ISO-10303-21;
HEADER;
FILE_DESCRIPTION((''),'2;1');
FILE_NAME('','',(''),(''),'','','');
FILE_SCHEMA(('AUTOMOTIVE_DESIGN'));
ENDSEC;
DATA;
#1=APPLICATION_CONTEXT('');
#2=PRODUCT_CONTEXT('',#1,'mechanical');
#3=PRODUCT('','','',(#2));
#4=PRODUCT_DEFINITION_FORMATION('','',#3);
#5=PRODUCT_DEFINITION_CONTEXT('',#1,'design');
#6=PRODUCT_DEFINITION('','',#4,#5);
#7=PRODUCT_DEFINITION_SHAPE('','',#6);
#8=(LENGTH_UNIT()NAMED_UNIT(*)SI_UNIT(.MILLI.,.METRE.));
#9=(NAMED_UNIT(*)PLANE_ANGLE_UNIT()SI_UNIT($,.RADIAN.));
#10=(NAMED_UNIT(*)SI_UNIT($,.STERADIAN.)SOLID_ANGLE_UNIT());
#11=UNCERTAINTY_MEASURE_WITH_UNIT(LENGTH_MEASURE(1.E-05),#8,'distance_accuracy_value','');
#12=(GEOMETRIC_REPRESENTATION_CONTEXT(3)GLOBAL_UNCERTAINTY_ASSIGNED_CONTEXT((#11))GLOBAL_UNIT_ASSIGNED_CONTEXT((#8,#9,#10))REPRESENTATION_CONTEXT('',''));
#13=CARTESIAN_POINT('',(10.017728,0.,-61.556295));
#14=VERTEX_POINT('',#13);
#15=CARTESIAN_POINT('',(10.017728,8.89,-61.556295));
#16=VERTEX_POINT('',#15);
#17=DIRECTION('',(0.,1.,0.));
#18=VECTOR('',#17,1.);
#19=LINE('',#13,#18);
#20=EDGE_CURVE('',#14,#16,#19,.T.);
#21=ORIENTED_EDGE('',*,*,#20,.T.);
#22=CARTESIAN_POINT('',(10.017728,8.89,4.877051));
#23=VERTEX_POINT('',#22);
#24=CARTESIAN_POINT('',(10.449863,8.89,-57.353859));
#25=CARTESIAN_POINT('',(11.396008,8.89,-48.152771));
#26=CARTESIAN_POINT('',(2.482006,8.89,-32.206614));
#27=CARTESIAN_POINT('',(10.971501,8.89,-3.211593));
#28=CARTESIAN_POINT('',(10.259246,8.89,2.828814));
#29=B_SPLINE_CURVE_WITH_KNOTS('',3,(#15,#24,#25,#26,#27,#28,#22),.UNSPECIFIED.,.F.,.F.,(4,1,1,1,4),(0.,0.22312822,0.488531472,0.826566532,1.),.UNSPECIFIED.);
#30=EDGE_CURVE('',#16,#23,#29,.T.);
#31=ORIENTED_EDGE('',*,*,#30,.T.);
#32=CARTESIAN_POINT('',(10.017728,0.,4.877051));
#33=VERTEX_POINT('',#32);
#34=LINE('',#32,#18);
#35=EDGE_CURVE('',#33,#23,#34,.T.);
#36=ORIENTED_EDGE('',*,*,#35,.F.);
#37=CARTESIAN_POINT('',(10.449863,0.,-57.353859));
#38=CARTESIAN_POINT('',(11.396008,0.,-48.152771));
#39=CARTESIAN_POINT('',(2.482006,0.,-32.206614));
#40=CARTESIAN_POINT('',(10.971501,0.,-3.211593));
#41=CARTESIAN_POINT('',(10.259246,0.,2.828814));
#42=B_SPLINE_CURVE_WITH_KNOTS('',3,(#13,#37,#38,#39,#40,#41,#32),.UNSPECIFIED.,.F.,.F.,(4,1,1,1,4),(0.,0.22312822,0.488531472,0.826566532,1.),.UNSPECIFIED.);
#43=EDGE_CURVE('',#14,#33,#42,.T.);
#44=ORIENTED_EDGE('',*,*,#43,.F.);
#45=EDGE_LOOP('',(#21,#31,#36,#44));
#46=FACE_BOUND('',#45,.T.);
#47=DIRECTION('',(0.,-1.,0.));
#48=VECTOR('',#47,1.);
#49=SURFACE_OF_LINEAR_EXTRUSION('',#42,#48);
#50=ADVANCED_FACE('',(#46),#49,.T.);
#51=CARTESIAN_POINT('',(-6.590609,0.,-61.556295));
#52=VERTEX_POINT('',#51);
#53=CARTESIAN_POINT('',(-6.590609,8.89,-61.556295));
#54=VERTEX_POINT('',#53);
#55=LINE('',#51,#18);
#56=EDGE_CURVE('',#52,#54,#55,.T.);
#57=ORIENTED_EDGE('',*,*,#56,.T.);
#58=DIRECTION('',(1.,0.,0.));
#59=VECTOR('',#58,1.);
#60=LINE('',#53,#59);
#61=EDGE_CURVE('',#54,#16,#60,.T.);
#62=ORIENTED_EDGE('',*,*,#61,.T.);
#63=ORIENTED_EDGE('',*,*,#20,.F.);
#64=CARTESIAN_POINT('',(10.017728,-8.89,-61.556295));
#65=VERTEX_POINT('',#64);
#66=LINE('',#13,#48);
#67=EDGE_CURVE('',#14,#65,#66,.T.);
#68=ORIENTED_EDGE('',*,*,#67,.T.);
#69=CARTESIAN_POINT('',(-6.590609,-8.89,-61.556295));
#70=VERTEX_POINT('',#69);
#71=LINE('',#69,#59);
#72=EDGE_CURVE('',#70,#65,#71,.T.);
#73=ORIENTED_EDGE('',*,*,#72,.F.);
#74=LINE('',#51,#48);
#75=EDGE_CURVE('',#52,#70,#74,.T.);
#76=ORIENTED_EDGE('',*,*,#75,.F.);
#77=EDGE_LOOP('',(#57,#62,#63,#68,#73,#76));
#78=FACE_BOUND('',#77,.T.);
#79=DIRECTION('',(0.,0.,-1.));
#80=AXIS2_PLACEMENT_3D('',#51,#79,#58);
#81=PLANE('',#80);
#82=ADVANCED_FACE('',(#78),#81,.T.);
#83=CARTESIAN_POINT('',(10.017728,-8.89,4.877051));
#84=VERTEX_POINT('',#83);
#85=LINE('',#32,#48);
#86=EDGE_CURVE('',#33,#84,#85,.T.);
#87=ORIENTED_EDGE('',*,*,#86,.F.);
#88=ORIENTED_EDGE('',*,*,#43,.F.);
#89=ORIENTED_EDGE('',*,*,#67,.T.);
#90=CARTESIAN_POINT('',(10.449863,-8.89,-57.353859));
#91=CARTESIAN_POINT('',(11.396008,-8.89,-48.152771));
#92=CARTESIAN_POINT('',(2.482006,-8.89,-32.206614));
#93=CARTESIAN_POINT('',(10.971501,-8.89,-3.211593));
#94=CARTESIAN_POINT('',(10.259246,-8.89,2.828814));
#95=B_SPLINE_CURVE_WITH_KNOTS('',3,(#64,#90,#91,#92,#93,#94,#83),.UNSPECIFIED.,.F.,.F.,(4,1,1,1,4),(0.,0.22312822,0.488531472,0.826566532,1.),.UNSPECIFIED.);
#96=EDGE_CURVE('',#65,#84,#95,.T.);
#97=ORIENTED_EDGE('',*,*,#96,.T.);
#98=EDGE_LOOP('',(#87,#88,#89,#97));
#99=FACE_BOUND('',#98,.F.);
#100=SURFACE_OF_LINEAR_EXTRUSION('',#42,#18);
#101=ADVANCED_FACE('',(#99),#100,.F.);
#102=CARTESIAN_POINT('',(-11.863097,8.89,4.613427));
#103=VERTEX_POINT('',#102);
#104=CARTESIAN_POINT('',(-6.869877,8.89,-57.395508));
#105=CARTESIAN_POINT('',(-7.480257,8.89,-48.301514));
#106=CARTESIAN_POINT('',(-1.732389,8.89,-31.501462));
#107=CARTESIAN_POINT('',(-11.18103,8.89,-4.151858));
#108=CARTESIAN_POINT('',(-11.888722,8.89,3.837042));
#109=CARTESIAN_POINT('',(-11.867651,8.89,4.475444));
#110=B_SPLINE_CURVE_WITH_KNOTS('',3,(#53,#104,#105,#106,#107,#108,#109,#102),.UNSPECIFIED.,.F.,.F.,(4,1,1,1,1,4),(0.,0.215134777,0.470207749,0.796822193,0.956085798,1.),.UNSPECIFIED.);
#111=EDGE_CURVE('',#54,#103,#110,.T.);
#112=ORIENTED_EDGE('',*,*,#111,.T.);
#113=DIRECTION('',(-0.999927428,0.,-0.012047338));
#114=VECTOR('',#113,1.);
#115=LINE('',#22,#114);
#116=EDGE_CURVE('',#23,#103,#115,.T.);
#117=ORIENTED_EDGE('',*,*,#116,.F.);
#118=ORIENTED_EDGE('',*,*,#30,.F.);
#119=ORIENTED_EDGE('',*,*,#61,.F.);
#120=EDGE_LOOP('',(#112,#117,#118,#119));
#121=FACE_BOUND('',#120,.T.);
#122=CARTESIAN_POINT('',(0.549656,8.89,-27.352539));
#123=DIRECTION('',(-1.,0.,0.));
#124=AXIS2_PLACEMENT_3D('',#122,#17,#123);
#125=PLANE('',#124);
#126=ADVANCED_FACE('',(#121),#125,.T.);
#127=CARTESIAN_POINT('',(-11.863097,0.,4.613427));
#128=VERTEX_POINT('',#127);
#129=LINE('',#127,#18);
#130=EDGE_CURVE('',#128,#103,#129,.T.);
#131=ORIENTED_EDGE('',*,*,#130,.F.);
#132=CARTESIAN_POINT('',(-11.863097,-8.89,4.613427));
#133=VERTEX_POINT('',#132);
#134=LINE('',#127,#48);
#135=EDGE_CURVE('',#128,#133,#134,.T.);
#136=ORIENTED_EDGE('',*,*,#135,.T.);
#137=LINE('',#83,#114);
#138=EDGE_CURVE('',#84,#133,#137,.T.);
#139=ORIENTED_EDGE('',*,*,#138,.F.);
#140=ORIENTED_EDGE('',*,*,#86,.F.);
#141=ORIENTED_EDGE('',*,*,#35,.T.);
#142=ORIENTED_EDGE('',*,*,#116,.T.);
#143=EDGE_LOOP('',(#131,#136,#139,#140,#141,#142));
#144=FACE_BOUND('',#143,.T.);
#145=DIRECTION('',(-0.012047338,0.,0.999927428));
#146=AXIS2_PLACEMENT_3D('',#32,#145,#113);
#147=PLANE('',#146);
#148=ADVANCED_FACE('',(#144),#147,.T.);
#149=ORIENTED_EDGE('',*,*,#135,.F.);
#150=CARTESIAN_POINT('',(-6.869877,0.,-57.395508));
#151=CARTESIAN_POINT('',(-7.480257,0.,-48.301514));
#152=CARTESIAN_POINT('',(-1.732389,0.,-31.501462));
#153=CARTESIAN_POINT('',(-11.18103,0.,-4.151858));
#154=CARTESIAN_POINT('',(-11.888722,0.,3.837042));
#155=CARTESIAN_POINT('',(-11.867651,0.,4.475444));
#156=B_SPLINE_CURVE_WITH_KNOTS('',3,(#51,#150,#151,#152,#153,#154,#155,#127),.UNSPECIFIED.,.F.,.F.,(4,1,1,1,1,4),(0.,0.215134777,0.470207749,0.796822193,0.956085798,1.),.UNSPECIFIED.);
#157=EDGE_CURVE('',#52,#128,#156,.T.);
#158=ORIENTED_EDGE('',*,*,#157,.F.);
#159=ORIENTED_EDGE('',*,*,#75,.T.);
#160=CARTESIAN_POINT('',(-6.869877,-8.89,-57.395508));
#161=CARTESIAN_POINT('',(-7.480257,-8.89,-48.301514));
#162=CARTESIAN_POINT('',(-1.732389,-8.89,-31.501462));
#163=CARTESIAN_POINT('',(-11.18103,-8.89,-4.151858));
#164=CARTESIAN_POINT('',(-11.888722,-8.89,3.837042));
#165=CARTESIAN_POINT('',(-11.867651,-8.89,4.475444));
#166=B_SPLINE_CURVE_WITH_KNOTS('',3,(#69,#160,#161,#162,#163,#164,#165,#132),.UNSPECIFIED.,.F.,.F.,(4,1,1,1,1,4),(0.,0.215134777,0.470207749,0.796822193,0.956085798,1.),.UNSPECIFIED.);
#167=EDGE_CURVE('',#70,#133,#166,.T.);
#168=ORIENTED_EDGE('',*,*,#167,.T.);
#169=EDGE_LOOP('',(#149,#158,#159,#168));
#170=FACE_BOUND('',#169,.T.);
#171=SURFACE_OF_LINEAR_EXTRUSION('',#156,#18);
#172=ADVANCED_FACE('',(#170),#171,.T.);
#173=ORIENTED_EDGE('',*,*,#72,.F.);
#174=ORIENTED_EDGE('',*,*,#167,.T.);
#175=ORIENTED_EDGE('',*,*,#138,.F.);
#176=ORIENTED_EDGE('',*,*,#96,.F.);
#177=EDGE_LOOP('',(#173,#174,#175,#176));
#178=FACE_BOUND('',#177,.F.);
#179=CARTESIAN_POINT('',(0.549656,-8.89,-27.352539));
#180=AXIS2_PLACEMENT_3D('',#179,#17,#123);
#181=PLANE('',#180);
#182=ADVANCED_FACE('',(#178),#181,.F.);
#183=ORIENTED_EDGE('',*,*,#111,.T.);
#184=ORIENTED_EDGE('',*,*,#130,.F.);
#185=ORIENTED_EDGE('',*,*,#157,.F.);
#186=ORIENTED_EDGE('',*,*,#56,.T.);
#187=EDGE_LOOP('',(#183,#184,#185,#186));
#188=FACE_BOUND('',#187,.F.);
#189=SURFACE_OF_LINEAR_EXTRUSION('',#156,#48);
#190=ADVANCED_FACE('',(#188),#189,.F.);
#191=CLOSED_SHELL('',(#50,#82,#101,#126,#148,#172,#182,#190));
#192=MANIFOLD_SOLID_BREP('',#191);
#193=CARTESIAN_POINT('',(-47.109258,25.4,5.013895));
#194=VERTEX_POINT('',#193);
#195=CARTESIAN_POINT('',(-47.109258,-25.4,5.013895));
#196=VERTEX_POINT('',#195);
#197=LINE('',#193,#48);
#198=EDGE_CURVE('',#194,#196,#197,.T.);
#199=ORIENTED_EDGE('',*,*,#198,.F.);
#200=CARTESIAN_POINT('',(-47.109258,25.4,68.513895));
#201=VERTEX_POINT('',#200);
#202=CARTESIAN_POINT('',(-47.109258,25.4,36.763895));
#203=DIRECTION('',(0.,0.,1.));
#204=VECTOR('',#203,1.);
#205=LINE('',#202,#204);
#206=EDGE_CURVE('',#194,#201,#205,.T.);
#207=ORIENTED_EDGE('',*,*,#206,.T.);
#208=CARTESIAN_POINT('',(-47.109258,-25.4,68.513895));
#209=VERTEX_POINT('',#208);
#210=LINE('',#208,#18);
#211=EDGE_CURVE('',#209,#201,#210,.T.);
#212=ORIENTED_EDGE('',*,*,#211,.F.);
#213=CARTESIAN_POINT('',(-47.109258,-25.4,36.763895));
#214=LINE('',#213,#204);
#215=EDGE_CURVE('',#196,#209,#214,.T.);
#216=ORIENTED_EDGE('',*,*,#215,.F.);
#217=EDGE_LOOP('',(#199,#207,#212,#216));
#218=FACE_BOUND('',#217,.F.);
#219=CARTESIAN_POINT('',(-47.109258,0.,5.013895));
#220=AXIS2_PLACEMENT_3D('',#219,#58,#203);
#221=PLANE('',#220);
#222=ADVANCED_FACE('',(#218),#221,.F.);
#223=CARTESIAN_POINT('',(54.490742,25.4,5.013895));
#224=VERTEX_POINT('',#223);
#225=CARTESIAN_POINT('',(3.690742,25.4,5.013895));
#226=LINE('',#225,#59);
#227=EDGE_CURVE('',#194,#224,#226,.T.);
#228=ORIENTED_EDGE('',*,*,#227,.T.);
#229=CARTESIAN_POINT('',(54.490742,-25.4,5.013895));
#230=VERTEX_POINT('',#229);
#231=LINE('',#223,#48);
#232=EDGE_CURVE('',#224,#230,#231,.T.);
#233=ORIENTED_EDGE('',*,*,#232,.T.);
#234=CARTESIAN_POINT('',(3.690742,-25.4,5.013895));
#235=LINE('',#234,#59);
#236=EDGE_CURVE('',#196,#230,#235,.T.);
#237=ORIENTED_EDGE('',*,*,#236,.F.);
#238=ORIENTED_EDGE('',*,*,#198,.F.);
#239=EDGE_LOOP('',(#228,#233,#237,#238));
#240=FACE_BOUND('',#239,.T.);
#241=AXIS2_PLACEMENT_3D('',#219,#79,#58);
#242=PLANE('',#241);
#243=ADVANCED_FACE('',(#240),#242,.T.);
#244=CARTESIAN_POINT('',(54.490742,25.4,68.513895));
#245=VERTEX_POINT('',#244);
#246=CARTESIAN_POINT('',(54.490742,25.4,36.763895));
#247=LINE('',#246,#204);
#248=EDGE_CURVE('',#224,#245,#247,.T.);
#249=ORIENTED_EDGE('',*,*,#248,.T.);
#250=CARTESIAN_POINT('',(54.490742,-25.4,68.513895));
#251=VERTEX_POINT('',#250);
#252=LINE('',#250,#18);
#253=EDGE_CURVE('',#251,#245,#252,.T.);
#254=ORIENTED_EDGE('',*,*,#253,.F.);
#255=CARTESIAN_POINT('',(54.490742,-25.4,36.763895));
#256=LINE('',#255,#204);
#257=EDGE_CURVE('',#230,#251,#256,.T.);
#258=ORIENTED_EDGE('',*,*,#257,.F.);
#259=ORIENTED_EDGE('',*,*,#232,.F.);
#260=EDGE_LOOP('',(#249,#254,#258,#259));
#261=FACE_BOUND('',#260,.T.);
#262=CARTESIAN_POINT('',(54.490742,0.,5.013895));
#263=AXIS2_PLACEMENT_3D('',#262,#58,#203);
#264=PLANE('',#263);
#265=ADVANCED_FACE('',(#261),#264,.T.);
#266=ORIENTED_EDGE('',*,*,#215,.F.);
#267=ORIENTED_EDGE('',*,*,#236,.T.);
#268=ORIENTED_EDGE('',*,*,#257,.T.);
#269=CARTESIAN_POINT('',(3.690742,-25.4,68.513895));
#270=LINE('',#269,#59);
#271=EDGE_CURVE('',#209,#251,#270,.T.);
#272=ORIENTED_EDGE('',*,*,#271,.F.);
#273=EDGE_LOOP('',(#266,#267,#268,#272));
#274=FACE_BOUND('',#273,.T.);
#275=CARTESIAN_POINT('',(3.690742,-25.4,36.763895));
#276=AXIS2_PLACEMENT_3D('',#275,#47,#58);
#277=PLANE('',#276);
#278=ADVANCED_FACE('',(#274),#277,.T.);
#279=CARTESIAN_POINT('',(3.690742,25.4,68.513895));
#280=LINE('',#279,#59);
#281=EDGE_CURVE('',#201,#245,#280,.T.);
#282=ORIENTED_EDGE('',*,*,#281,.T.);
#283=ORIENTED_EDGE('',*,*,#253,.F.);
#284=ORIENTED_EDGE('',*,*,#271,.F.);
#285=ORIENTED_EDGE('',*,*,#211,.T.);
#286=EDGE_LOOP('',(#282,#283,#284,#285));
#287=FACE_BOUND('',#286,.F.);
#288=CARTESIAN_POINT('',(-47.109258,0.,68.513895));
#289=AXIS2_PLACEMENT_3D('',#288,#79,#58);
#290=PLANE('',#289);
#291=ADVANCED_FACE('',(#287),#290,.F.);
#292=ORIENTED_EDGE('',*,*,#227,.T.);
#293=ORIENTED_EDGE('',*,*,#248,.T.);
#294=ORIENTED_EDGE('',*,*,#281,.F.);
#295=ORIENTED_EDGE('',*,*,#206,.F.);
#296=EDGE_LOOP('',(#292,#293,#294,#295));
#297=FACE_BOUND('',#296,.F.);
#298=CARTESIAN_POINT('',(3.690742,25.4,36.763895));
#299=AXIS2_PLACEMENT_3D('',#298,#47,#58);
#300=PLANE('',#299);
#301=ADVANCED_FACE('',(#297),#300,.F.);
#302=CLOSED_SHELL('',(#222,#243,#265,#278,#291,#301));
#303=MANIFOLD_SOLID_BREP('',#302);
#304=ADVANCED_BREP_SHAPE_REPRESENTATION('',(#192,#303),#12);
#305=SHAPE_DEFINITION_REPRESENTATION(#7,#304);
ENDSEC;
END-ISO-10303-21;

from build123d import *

# Parameters (mm, degrees)
F0_W     = 101.6
F0_H     = 63.5
F1_DEPTH = 25.4
F3_DEPTH = 8.89


with BuildPart() as f1:
    # F0 (on Front) → F1 (new body, symmetric)
    with BuildSketch(Plane.XZ):
        with Locations((3.6907419562, 36.763894998)):
            Rectangle(F0_W, F0_H)
    extrude(amount=F1_DEPTH, both=True)


with BuildPart() as f3:
    # F2 (on Front) → F3 (new body, symmetric)
    with BuildSketch(Plane.XZ):
        with BuildLine():
            add(Edge.make_bspline(
                [(-6.5906089731, -61.5562945604), (-6.869877019, -57.3955077066), (-7.4802571778, -48.3015144021), (-1.7323887404, -31.5014617866), (-11.181030102, -4.1518582406), (-11.8887224777, 3.8370416102), (-11.8676509499, 4.4754442135), (-11.8630966172, 4.613426514)],
                knots=[0, 0, 0, 0, 0.2151347769, 0.4702077489, 0.7968221934, 0.9560857976, 1, 1, 1, 1], degree=3))
            Line((-6.5906089731, -61.5562945604), (10.017728433, -61.5562945604))
            add(Edge.make_bspline(
                [(10.017728433, -61.5562945604), (10.4498633138, -57.3538586055), (11.3960075952, -48.1527713451), (2.4820057503, -32.2066136134), (10.9715005253, -3.2115927021), (10.2592462008, 2.828814376), (10.017728433, 4.8770513386)],
                knots=[0, 0, 0, 0, 0.2231282199, 0.4885314716, 0.8265665324, 1, 1, 1, 1], degree=3))
            Line((10.017728433, 4.8770513386), (-11.8630966172, 4.613426514))
        make_face()
    extrude(amount=F3_DEPTH, both=True)


solid = Compound([f1.part, f3.part])
